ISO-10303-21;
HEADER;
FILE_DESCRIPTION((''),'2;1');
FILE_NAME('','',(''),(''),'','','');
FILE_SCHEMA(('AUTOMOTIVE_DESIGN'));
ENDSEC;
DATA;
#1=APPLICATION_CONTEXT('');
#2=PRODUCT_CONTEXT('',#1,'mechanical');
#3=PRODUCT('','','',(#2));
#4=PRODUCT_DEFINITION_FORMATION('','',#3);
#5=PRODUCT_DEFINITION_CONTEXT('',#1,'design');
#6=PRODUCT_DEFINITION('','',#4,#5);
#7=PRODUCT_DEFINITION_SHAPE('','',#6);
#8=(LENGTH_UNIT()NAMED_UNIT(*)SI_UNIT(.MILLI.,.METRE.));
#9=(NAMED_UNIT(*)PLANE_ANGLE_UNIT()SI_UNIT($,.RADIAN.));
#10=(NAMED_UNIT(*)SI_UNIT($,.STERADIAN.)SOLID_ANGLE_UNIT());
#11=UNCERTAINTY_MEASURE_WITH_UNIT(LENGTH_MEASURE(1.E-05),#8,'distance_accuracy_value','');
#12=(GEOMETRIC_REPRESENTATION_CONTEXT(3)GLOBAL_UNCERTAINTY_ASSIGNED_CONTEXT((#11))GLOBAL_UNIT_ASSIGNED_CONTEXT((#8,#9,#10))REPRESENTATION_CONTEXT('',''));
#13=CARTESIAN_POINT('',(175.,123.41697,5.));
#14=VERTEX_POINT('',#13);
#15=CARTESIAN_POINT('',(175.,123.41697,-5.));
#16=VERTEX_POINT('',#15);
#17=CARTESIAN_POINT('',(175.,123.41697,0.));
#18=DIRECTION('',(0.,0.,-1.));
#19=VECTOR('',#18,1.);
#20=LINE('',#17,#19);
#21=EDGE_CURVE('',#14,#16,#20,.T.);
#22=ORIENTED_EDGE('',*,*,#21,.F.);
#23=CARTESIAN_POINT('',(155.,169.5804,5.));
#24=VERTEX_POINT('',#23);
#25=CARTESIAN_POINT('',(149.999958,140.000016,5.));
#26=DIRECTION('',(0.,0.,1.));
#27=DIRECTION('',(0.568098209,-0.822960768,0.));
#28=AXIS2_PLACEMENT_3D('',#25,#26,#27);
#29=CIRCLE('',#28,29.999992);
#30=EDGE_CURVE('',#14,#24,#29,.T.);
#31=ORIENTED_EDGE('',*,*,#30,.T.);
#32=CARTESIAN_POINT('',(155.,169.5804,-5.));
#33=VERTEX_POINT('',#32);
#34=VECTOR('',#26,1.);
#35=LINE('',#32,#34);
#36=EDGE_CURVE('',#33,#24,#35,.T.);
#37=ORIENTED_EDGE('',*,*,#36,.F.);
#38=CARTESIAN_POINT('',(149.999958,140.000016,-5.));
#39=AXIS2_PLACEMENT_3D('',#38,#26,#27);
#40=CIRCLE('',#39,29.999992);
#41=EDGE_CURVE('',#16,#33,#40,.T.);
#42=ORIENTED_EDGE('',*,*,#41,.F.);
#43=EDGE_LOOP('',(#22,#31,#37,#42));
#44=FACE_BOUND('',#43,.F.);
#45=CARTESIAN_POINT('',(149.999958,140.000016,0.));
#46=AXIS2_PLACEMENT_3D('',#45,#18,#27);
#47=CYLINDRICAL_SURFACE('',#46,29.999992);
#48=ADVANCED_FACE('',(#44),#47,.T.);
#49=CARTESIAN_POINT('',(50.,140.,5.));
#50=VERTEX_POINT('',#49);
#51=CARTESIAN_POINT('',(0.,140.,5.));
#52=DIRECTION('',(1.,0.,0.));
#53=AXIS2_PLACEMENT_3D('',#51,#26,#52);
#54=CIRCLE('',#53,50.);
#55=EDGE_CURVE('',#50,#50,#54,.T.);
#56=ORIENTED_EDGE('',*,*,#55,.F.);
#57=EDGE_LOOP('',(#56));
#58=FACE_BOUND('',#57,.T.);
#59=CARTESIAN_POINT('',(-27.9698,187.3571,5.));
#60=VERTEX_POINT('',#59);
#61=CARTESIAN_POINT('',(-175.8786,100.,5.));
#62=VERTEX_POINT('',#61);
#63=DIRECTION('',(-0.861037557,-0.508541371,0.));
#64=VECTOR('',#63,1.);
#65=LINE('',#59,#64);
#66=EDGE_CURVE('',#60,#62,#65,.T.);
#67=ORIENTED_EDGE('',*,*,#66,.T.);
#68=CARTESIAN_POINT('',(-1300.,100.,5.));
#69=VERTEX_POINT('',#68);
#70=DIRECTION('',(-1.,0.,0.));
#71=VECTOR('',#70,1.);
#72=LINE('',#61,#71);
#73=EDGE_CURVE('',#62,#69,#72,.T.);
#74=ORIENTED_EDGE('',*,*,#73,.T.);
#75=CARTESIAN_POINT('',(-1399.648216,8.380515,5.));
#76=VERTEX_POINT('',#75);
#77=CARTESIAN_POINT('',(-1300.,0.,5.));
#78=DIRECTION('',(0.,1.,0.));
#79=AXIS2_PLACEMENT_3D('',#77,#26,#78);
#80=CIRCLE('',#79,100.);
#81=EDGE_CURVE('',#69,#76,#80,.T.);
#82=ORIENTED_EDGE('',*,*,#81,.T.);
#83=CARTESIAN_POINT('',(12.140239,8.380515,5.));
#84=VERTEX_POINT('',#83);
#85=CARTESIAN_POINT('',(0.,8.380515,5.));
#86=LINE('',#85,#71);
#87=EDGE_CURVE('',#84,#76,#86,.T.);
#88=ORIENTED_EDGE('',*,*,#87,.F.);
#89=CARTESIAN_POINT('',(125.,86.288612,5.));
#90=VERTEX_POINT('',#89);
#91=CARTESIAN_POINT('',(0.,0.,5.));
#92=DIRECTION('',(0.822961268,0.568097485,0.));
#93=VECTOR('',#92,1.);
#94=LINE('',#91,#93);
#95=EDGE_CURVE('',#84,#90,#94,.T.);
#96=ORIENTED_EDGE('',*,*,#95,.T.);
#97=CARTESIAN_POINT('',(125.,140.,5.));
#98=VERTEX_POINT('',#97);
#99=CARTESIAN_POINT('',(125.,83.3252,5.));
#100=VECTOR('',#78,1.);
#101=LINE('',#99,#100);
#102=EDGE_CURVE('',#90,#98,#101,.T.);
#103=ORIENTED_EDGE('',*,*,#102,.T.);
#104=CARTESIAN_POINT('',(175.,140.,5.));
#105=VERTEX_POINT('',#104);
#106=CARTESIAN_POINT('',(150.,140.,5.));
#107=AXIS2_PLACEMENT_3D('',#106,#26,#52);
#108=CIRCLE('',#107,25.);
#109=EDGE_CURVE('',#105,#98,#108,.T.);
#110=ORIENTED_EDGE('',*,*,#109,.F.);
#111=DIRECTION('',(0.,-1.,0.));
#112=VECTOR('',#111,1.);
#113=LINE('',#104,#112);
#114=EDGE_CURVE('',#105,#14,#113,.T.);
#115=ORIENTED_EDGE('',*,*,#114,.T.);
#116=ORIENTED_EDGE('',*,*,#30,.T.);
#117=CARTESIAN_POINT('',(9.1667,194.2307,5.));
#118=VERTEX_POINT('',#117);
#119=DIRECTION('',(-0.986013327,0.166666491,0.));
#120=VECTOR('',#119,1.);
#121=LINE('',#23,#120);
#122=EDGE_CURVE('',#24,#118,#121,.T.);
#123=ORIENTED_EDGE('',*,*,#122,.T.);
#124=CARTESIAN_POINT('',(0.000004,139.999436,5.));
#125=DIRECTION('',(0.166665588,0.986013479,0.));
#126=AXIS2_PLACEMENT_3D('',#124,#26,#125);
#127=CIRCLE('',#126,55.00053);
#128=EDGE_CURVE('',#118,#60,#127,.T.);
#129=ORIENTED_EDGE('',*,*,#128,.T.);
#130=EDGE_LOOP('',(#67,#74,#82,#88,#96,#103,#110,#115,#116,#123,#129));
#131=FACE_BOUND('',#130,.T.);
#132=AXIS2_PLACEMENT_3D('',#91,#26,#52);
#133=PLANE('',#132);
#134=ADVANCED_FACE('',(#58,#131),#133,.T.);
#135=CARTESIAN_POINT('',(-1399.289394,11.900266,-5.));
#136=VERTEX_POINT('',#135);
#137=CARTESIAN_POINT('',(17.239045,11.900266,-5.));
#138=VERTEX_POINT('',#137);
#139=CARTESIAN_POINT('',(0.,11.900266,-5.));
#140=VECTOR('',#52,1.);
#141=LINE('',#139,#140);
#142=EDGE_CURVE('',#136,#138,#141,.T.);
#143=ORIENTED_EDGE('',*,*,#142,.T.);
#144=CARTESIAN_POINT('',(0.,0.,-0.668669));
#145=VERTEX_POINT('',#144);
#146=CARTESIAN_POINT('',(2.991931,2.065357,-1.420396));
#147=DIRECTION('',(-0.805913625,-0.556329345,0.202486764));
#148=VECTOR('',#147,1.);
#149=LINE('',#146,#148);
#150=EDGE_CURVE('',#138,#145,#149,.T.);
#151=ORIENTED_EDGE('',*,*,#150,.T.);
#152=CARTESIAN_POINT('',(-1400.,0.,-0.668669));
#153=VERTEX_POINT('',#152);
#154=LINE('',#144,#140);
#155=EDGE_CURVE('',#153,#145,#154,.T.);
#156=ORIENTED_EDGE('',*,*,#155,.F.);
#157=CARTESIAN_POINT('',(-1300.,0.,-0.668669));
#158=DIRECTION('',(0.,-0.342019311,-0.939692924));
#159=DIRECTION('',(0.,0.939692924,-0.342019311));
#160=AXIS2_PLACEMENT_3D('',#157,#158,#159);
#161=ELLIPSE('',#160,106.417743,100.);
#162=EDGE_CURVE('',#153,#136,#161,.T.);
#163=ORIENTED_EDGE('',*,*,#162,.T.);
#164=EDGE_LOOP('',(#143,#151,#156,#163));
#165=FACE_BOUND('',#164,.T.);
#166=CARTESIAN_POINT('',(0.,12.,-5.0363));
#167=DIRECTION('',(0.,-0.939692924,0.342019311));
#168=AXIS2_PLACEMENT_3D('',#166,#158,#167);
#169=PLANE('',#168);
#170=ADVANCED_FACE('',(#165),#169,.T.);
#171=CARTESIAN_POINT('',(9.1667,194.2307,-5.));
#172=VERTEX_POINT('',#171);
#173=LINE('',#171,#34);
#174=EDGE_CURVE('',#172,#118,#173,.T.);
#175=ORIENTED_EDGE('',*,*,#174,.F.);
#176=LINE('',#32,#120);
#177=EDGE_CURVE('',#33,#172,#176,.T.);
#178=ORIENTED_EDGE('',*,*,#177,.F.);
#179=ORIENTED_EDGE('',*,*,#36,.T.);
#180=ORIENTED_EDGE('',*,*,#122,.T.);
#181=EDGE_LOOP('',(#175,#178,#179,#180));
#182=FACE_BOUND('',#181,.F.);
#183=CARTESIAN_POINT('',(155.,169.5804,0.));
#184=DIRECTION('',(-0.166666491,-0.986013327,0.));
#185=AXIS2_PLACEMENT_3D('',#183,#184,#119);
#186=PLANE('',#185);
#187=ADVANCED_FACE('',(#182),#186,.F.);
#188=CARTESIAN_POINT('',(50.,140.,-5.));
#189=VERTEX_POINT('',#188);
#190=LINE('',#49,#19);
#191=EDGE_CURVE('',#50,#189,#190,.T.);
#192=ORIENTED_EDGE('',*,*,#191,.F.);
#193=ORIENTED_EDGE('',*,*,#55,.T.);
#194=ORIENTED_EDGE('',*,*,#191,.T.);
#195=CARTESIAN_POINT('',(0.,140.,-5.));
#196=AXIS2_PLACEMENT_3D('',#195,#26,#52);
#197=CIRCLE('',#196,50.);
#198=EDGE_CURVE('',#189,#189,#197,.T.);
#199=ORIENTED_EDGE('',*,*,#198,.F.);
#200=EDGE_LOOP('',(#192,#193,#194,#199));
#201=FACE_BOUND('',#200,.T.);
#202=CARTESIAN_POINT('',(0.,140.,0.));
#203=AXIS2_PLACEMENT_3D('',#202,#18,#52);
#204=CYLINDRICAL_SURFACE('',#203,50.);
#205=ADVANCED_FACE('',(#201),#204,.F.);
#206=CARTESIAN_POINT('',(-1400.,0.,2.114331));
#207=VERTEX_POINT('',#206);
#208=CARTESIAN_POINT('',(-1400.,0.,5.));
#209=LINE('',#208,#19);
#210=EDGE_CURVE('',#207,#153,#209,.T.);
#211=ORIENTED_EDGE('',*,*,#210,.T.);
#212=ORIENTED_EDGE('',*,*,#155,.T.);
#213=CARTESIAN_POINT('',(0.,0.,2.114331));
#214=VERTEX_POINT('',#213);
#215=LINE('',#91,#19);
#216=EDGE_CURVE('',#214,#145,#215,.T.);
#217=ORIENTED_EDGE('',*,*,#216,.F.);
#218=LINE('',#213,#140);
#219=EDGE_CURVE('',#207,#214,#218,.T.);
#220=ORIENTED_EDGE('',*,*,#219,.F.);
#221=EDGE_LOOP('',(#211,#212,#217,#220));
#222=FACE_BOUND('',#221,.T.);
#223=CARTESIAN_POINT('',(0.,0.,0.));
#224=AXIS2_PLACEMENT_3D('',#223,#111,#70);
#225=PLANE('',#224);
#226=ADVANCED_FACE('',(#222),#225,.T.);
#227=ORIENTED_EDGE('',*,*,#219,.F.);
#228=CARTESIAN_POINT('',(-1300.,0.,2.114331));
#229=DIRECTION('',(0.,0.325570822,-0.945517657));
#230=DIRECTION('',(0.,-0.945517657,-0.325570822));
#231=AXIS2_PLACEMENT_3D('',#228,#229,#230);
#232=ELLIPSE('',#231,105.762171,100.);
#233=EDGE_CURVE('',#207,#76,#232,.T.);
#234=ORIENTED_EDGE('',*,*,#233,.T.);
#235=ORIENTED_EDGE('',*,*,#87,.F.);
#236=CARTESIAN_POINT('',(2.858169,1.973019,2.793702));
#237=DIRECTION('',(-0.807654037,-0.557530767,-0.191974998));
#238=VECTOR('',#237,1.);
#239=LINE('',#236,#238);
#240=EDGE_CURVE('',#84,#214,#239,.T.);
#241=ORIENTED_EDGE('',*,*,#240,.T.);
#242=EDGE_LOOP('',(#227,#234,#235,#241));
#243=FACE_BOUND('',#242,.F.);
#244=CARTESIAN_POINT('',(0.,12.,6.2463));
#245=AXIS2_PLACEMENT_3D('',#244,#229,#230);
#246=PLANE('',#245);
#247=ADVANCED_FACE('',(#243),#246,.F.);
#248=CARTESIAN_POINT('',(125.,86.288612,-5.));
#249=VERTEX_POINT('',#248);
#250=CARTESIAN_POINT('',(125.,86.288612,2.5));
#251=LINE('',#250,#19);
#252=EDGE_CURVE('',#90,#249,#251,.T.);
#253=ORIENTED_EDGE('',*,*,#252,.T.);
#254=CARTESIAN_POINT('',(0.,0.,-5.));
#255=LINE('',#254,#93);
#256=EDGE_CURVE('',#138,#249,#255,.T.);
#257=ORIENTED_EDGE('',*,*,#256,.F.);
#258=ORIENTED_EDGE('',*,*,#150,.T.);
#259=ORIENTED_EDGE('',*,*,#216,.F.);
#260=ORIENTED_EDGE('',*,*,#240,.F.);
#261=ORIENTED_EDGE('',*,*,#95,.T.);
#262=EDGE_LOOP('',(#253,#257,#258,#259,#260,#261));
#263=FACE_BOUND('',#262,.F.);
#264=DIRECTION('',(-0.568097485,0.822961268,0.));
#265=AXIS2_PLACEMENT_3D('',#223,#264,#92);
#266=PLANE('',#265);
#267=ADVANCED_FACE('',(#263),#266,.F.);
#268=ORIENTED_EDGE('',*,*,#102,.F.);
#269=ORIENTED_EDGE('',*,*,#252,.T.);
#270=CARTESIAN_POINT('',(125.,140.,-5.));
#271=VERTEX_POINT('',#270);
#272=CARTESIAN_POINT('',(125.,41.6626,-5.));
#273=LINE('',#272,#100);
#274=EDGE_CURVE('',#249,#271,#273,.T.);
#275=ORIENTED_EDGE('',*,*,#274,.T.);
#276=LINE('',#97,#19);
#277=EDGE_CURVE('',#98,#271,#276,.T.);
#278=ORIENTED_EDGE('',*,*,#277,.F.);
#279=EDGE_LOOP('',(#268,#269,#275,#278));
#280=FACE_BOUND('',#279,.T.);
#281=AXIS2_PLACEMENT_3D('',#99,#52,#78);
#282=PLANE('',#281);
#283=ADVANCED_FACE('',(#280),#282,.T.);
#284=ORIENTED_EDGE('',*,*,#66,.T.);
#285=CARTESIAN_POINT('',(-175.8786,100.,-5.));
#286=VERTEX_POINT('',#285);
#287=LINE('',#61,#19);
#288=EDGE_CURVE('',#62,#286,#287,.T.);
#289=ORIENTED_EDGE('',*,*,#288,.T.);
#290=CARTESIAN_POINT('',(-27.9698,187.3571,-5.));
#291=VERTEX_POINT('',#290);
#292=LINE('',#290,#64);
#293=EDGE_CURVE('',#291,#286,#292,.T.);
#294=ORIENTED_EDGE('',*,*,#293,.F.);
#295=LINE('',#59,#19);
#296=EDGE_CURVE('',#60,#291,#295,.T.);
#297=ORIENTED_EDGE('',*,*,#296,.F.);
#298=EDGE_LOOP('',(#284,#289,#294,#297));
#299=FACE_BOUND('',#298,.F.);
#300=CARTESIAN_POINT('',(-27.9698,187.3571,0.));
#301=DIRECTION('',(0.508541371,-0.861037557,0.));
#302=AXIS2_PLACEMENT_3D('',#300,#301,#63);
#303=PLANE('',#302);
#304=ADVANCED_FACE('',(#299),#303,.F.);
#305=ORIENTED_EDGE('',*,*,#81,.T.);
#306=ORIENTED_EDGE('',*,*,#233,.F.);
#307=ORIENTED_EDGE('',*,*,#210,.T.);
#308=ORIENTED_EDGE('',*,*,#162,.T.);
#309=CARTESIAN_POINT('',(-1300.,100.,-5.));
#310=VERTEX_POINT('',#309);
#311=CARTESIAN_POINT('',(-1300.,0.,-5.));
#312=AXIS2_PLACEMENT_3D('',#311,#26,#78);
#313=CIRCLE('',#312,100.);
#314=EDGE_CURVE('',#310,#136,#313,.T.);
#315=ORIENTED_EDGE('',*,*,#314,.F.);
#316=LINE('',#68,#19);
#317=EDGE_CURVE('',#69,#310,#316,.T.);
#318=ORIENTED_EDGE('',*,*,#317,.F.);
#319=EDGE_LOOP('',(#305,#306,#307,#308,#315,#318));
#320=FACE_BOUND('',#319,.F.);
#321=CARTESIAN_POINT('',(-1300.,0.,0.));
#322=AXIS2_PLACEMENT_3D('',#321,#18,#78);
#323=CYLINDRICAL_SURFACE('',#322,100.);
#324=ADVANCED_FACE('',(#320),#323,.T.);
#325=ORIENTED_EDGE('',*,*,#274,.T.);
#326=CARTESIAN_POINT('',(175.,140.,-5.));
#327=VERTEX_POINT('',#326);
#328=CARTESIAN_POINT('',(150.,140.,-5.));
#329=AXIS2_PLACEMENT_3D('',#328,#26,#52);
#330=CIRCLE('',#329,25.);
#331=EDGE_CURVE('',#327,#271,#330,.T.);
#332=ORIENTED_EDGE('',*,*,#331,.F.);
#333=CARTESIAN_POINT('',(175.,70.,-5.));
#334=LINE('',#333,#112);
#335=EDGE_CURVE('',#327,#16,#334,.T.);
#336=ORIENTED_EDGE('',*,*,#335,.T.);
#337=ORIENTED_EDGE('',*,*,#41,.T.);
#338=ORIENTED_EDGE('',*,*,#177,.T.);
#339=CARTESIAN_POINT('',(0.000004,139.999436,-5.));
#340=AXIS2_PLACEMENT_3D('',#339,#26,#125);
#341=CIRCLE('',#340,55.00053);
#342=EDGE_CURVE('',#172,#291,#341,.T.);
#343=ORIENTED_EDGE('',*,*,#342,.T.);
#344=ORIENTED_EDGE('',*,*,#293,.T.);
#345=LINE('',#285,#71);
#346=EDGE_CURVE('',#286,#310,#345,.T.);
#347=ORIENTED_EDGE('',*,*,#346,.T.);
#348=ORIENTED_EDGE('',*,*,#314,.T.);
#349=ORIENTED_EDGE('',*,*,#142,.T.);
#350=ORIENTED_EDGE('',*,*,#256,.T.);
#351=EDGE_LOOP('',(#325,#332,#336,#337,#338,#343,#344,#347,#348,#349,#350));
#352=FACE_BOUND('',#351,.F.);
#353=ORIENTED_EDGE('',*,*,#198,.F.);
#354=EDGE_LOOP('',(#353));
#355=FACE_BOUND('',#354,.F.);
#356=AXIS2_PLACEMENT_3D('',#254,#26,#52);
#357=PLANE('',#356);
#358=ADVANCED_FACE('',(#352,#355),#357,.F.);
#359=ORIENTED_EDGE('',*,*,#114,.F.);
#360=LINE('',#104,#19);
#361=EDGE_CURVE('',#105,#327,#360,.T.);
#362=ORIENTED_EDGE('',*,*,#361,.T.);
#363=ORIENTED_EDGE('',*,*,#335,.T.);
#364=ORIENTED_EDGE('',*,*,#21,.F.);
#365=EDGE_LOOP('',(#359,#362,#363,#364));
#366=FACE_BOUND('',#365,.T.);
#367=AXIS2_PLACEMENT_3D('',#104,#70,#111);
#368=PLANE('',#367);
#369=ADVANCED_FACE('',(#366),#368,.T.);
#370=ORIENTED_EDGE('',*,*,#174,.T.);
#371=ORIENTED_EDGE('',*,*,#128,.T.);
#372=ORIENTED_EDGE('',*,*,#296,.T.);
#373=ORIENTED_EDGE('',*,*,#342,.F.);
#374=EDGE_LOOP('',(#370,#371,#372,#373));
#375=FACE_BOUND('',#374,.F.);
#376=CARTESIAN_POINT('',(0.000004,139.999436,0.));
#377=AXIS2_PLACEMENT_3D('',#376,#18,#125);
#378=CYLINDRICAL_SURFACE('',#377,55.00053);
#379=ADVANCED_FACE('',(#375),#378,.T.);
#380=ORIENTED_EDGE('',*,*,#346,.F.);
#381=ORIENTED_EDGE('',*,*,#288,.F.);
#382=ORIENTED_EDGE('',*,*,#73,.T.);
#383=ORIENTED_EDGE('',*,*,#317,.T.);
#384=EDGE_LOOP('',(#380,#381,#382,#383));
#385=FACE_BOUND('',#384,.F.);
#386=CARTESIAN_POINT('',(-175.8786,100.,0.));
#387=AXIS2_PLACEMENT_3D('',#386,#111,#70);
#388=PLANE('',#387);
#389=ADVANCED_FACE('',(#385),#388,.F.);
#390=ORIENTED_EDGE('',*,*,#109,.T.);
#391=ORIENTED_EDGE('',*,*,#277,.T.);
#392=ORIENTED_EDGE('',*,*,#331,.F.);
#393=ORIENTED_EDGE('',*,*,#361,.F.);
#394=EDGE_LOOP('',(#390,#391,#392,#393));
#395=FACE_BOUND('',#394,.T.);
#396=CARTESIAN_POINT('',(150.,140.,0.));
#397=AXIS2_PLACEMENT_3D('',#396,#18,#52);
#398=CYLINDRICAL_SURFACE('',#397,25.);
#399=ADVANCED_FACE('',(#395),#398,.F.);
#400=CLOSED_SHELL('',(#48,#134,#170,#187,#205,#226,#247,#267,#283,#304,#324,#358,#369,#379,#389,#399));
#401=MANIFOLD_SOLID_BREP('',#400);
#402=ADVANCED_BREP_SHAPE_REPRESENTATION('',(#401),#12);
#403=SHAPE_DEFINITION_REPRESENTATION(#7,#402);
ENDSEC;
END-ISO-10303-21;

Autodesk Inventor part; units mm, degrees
ref_plane "YZ Plane" through (0, 0, 0) normal (1, 0, 0) x (0, 1, 0)
ref_plane "XZ Plane" through (0, 0, 0) normal (0, 1, 0) x (-1, 0, 0)
ref_plane "XY Plane" through (0, 0, 0) normal (0, 0, 1) x (1, 0, 0)
sketch "Boceto4" plane through (0, 0, 0) normal (0, 0, 1) x (1, 0, 0)
  circle A0 centre (0, 140) radius 50
  circle A1 centre (150, 140) radius 25
  arc A2 (167.0429, 115.3112) -> (155, 169.5804) centre (150, 140) ccw
  arc A3 (9.1667, 194.2307) -> (-27.9698, 187.3571) centre (0, 140) ccw
  line L0 (155, 169.5804) -> (9.1667, 194.2307)
  line L1 (0, 0) -> (167.0429, 115.3112)
  line L2 (0, 0) -> (-1400, 0)
  line L3 (-27.9698, 187.3571) -> (-175.8786, 100)
  line L4 (-175.8786, 100) -> (-1300, 100)
  arc A4 (-1300, 100) -> (-1400, 0) centre (-1300, 0) ccw
  dimension "d24" = 100
  dimension "d25" = 50
  dimension "d26" = 150
  dimension "d27" = 5
  dimension "d28" = 5
  dimension "d29" = 140
  dimension "d30" = 1400
  dimension "d32" = 100
  dimension "d33" = 171.7797
extrude "Extrusión3" add sketch "Boceto4" along normal mid plane 10
sketch "Boceto5" plane through (0, 0, 0) normal (1, 0, 0) x (0, 1, 0)
  line L0 (12, -5.0363) -> (-1, -0.3047)
  line L1 (-1, -0.3047) -> (-1, -5.0363)
  line L2 (-1, -5.0363) -> (12, -5.0363)
  line L3 (12, 6.2463) -> (-1, 1.77)
  line L4 (-1, 1.77) -> (-1, 6.2463)
  line L5 (-1, 6.2463) -> (12, 6.2463)
  point P0 (0, 0)
  dimension "d36" = 1
  dimension "d37" = 13
  dimension "d38" = 13
  dimension "d39" = 70
  dimension "d40" = 71
  dimension "d41" = 0.3047
  dimension "d42" = 1.77
extrude "Extrusión4" cut sketch "Boceto5" along normal through all both and the other way through all
sketch "Boceto6" plane through (0, 0, 5) normal (0, 0, 1) x (1, 0, 0)
  circle A0 centre (150, 140) radius 25 construction
  line L0 (125, 140) -> (175, 140)
  line L1 (175, 140) -> (175, 83.3252)
  line L2 (175, 83.3252) -> (125, 83.3252)
  line L3 (125, 83.3252) -> (125, 140)
  point P0 (0, 0)
  dimension "d46" = 50
  dimension "d47" = 0
  dimension "d50" = 56.6748
extrude "Extrusión5" cut sketch "Boceto6" against normal through all
properties part number "hoja de filo"
